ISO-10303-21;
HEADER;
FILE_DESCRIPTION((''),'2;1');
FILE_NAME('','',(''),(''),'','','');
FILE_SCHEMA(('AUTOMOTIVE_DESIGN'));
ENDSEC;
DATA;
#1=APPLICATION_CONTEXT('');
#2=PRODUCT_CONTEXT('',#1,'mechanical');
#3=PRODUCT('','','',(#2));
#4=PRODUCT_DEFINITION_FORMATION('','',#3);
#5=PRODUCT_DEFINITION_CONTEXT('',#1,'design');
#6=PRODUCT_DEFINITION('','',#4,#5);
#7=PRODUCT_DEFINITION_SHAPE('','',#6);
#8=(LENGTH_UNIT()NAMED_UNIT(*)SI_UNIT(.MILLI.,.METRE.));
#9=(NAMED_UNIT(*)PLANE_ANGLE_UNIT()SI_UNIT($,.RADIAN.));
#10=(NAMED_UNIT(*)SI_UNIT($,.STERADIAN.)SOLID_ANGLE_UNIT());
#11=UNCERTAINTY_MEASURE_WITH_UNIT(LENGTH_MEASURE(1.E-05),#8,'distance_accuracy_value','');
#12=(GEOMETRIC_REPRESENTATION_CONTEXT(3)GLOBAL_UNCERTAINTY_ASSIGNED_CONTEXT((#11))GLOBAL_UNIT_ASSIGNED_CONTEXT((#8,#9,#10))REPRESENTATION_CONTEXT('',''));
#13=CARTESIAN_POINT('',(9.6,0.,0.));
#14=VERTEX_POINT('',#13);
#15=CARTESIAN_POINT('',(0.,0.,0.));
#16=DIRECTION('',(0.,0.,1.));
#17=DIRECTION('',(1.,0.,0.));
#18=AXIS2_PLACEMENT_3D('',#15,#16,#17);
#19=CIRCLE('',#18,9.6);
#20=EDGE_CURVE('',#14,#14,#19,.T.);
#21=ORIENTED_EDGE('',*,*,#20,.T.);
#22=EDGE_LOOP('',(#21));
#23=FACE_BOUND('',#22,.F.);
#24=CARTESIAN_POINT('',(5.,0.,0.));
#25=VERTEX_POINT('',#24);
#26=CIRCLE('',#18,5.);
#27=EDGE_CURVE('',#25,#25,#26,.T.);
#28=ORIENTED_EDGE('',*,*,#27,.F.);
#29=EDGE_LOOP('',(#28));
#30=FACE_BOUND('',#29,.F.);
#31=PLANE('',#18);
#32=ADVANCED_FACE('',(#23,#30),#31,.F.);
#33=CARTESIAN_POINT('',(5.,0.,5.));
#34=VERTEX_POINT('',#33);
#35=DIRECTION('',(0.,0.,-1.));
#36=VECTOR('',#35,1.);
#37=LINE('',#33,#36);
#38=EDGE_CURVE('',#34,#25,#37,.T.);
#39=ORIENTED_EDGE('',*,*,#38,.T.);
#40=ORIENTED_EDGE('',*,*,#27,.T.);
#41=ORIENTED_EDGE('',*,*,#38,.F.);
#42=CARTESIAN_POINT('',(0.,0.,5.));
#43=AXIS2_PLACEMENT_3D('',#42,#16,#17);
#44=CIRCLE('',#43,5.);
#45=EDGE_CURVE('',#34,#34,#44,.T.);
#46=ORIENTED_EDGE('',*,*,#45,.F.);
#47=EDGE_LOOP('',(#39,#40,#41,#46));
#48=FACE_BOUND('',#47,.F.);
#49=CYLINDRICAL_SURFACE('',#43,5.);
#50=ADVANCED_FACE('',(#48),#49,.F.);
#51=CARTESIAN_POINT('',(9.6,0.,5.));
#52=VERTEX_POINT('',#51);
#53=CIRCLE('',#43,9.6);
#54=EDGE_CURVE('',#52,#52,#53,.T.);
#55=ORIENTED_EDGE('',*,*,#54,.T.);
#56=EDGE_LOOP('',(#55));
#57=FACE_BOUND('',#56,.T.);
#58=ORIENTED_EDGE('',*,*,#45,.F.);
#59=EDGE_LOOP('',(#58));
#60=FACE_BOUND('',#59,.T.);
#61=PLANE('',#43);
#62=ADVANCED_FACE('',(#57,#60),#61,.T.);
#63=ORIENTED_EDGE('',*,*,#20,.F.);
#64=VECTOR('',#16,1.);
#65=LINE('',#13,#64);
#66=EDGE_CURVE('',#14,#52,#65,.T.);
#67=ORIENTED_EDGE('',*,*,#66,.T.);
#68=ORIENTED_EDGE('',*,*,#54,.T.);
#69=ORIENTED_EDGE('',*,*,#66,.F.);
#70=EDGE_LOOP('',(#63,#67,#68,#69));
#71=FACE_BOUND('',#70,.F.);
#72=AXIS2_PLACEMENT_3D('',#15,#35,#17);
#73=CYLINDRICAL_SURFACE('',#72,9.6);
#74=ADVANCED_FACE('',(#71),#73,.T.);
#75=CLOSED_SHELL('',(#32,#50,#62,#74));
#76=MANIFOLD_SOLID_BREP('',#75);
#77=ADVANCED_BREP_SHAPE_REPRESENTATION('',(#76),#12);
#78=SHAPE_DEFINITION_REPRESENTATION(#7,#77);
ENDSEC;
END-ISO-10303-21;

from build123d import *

# Parameters (mm, degrees)
SKETCH1_R           = 9.6
BOSS_EXTRUDE1_DEPTH = 5
SKETCH2_R           = 5
CUT_EXTRUDE1_DEPTH  = 5


with BuildPart() as part:
    # Sketch1 → Boss-Extrude1 (new body)
    with BuildSketch(Plane.XY):
        Circle(SKETCH1_R)
    extrude(amount=BOSS_EXTRUDE1_DEPTH)

    # Sketch2 → Cut-Extrude1 (cut)
    with BuildSketch(Plane.XY.offset(5)):
        Circle(SKETCH2_R)
    extrude(amount=-CUT_EXTRUDE1_DEPTH, mode=Mode.SUBTRACT)


solid = part.part
